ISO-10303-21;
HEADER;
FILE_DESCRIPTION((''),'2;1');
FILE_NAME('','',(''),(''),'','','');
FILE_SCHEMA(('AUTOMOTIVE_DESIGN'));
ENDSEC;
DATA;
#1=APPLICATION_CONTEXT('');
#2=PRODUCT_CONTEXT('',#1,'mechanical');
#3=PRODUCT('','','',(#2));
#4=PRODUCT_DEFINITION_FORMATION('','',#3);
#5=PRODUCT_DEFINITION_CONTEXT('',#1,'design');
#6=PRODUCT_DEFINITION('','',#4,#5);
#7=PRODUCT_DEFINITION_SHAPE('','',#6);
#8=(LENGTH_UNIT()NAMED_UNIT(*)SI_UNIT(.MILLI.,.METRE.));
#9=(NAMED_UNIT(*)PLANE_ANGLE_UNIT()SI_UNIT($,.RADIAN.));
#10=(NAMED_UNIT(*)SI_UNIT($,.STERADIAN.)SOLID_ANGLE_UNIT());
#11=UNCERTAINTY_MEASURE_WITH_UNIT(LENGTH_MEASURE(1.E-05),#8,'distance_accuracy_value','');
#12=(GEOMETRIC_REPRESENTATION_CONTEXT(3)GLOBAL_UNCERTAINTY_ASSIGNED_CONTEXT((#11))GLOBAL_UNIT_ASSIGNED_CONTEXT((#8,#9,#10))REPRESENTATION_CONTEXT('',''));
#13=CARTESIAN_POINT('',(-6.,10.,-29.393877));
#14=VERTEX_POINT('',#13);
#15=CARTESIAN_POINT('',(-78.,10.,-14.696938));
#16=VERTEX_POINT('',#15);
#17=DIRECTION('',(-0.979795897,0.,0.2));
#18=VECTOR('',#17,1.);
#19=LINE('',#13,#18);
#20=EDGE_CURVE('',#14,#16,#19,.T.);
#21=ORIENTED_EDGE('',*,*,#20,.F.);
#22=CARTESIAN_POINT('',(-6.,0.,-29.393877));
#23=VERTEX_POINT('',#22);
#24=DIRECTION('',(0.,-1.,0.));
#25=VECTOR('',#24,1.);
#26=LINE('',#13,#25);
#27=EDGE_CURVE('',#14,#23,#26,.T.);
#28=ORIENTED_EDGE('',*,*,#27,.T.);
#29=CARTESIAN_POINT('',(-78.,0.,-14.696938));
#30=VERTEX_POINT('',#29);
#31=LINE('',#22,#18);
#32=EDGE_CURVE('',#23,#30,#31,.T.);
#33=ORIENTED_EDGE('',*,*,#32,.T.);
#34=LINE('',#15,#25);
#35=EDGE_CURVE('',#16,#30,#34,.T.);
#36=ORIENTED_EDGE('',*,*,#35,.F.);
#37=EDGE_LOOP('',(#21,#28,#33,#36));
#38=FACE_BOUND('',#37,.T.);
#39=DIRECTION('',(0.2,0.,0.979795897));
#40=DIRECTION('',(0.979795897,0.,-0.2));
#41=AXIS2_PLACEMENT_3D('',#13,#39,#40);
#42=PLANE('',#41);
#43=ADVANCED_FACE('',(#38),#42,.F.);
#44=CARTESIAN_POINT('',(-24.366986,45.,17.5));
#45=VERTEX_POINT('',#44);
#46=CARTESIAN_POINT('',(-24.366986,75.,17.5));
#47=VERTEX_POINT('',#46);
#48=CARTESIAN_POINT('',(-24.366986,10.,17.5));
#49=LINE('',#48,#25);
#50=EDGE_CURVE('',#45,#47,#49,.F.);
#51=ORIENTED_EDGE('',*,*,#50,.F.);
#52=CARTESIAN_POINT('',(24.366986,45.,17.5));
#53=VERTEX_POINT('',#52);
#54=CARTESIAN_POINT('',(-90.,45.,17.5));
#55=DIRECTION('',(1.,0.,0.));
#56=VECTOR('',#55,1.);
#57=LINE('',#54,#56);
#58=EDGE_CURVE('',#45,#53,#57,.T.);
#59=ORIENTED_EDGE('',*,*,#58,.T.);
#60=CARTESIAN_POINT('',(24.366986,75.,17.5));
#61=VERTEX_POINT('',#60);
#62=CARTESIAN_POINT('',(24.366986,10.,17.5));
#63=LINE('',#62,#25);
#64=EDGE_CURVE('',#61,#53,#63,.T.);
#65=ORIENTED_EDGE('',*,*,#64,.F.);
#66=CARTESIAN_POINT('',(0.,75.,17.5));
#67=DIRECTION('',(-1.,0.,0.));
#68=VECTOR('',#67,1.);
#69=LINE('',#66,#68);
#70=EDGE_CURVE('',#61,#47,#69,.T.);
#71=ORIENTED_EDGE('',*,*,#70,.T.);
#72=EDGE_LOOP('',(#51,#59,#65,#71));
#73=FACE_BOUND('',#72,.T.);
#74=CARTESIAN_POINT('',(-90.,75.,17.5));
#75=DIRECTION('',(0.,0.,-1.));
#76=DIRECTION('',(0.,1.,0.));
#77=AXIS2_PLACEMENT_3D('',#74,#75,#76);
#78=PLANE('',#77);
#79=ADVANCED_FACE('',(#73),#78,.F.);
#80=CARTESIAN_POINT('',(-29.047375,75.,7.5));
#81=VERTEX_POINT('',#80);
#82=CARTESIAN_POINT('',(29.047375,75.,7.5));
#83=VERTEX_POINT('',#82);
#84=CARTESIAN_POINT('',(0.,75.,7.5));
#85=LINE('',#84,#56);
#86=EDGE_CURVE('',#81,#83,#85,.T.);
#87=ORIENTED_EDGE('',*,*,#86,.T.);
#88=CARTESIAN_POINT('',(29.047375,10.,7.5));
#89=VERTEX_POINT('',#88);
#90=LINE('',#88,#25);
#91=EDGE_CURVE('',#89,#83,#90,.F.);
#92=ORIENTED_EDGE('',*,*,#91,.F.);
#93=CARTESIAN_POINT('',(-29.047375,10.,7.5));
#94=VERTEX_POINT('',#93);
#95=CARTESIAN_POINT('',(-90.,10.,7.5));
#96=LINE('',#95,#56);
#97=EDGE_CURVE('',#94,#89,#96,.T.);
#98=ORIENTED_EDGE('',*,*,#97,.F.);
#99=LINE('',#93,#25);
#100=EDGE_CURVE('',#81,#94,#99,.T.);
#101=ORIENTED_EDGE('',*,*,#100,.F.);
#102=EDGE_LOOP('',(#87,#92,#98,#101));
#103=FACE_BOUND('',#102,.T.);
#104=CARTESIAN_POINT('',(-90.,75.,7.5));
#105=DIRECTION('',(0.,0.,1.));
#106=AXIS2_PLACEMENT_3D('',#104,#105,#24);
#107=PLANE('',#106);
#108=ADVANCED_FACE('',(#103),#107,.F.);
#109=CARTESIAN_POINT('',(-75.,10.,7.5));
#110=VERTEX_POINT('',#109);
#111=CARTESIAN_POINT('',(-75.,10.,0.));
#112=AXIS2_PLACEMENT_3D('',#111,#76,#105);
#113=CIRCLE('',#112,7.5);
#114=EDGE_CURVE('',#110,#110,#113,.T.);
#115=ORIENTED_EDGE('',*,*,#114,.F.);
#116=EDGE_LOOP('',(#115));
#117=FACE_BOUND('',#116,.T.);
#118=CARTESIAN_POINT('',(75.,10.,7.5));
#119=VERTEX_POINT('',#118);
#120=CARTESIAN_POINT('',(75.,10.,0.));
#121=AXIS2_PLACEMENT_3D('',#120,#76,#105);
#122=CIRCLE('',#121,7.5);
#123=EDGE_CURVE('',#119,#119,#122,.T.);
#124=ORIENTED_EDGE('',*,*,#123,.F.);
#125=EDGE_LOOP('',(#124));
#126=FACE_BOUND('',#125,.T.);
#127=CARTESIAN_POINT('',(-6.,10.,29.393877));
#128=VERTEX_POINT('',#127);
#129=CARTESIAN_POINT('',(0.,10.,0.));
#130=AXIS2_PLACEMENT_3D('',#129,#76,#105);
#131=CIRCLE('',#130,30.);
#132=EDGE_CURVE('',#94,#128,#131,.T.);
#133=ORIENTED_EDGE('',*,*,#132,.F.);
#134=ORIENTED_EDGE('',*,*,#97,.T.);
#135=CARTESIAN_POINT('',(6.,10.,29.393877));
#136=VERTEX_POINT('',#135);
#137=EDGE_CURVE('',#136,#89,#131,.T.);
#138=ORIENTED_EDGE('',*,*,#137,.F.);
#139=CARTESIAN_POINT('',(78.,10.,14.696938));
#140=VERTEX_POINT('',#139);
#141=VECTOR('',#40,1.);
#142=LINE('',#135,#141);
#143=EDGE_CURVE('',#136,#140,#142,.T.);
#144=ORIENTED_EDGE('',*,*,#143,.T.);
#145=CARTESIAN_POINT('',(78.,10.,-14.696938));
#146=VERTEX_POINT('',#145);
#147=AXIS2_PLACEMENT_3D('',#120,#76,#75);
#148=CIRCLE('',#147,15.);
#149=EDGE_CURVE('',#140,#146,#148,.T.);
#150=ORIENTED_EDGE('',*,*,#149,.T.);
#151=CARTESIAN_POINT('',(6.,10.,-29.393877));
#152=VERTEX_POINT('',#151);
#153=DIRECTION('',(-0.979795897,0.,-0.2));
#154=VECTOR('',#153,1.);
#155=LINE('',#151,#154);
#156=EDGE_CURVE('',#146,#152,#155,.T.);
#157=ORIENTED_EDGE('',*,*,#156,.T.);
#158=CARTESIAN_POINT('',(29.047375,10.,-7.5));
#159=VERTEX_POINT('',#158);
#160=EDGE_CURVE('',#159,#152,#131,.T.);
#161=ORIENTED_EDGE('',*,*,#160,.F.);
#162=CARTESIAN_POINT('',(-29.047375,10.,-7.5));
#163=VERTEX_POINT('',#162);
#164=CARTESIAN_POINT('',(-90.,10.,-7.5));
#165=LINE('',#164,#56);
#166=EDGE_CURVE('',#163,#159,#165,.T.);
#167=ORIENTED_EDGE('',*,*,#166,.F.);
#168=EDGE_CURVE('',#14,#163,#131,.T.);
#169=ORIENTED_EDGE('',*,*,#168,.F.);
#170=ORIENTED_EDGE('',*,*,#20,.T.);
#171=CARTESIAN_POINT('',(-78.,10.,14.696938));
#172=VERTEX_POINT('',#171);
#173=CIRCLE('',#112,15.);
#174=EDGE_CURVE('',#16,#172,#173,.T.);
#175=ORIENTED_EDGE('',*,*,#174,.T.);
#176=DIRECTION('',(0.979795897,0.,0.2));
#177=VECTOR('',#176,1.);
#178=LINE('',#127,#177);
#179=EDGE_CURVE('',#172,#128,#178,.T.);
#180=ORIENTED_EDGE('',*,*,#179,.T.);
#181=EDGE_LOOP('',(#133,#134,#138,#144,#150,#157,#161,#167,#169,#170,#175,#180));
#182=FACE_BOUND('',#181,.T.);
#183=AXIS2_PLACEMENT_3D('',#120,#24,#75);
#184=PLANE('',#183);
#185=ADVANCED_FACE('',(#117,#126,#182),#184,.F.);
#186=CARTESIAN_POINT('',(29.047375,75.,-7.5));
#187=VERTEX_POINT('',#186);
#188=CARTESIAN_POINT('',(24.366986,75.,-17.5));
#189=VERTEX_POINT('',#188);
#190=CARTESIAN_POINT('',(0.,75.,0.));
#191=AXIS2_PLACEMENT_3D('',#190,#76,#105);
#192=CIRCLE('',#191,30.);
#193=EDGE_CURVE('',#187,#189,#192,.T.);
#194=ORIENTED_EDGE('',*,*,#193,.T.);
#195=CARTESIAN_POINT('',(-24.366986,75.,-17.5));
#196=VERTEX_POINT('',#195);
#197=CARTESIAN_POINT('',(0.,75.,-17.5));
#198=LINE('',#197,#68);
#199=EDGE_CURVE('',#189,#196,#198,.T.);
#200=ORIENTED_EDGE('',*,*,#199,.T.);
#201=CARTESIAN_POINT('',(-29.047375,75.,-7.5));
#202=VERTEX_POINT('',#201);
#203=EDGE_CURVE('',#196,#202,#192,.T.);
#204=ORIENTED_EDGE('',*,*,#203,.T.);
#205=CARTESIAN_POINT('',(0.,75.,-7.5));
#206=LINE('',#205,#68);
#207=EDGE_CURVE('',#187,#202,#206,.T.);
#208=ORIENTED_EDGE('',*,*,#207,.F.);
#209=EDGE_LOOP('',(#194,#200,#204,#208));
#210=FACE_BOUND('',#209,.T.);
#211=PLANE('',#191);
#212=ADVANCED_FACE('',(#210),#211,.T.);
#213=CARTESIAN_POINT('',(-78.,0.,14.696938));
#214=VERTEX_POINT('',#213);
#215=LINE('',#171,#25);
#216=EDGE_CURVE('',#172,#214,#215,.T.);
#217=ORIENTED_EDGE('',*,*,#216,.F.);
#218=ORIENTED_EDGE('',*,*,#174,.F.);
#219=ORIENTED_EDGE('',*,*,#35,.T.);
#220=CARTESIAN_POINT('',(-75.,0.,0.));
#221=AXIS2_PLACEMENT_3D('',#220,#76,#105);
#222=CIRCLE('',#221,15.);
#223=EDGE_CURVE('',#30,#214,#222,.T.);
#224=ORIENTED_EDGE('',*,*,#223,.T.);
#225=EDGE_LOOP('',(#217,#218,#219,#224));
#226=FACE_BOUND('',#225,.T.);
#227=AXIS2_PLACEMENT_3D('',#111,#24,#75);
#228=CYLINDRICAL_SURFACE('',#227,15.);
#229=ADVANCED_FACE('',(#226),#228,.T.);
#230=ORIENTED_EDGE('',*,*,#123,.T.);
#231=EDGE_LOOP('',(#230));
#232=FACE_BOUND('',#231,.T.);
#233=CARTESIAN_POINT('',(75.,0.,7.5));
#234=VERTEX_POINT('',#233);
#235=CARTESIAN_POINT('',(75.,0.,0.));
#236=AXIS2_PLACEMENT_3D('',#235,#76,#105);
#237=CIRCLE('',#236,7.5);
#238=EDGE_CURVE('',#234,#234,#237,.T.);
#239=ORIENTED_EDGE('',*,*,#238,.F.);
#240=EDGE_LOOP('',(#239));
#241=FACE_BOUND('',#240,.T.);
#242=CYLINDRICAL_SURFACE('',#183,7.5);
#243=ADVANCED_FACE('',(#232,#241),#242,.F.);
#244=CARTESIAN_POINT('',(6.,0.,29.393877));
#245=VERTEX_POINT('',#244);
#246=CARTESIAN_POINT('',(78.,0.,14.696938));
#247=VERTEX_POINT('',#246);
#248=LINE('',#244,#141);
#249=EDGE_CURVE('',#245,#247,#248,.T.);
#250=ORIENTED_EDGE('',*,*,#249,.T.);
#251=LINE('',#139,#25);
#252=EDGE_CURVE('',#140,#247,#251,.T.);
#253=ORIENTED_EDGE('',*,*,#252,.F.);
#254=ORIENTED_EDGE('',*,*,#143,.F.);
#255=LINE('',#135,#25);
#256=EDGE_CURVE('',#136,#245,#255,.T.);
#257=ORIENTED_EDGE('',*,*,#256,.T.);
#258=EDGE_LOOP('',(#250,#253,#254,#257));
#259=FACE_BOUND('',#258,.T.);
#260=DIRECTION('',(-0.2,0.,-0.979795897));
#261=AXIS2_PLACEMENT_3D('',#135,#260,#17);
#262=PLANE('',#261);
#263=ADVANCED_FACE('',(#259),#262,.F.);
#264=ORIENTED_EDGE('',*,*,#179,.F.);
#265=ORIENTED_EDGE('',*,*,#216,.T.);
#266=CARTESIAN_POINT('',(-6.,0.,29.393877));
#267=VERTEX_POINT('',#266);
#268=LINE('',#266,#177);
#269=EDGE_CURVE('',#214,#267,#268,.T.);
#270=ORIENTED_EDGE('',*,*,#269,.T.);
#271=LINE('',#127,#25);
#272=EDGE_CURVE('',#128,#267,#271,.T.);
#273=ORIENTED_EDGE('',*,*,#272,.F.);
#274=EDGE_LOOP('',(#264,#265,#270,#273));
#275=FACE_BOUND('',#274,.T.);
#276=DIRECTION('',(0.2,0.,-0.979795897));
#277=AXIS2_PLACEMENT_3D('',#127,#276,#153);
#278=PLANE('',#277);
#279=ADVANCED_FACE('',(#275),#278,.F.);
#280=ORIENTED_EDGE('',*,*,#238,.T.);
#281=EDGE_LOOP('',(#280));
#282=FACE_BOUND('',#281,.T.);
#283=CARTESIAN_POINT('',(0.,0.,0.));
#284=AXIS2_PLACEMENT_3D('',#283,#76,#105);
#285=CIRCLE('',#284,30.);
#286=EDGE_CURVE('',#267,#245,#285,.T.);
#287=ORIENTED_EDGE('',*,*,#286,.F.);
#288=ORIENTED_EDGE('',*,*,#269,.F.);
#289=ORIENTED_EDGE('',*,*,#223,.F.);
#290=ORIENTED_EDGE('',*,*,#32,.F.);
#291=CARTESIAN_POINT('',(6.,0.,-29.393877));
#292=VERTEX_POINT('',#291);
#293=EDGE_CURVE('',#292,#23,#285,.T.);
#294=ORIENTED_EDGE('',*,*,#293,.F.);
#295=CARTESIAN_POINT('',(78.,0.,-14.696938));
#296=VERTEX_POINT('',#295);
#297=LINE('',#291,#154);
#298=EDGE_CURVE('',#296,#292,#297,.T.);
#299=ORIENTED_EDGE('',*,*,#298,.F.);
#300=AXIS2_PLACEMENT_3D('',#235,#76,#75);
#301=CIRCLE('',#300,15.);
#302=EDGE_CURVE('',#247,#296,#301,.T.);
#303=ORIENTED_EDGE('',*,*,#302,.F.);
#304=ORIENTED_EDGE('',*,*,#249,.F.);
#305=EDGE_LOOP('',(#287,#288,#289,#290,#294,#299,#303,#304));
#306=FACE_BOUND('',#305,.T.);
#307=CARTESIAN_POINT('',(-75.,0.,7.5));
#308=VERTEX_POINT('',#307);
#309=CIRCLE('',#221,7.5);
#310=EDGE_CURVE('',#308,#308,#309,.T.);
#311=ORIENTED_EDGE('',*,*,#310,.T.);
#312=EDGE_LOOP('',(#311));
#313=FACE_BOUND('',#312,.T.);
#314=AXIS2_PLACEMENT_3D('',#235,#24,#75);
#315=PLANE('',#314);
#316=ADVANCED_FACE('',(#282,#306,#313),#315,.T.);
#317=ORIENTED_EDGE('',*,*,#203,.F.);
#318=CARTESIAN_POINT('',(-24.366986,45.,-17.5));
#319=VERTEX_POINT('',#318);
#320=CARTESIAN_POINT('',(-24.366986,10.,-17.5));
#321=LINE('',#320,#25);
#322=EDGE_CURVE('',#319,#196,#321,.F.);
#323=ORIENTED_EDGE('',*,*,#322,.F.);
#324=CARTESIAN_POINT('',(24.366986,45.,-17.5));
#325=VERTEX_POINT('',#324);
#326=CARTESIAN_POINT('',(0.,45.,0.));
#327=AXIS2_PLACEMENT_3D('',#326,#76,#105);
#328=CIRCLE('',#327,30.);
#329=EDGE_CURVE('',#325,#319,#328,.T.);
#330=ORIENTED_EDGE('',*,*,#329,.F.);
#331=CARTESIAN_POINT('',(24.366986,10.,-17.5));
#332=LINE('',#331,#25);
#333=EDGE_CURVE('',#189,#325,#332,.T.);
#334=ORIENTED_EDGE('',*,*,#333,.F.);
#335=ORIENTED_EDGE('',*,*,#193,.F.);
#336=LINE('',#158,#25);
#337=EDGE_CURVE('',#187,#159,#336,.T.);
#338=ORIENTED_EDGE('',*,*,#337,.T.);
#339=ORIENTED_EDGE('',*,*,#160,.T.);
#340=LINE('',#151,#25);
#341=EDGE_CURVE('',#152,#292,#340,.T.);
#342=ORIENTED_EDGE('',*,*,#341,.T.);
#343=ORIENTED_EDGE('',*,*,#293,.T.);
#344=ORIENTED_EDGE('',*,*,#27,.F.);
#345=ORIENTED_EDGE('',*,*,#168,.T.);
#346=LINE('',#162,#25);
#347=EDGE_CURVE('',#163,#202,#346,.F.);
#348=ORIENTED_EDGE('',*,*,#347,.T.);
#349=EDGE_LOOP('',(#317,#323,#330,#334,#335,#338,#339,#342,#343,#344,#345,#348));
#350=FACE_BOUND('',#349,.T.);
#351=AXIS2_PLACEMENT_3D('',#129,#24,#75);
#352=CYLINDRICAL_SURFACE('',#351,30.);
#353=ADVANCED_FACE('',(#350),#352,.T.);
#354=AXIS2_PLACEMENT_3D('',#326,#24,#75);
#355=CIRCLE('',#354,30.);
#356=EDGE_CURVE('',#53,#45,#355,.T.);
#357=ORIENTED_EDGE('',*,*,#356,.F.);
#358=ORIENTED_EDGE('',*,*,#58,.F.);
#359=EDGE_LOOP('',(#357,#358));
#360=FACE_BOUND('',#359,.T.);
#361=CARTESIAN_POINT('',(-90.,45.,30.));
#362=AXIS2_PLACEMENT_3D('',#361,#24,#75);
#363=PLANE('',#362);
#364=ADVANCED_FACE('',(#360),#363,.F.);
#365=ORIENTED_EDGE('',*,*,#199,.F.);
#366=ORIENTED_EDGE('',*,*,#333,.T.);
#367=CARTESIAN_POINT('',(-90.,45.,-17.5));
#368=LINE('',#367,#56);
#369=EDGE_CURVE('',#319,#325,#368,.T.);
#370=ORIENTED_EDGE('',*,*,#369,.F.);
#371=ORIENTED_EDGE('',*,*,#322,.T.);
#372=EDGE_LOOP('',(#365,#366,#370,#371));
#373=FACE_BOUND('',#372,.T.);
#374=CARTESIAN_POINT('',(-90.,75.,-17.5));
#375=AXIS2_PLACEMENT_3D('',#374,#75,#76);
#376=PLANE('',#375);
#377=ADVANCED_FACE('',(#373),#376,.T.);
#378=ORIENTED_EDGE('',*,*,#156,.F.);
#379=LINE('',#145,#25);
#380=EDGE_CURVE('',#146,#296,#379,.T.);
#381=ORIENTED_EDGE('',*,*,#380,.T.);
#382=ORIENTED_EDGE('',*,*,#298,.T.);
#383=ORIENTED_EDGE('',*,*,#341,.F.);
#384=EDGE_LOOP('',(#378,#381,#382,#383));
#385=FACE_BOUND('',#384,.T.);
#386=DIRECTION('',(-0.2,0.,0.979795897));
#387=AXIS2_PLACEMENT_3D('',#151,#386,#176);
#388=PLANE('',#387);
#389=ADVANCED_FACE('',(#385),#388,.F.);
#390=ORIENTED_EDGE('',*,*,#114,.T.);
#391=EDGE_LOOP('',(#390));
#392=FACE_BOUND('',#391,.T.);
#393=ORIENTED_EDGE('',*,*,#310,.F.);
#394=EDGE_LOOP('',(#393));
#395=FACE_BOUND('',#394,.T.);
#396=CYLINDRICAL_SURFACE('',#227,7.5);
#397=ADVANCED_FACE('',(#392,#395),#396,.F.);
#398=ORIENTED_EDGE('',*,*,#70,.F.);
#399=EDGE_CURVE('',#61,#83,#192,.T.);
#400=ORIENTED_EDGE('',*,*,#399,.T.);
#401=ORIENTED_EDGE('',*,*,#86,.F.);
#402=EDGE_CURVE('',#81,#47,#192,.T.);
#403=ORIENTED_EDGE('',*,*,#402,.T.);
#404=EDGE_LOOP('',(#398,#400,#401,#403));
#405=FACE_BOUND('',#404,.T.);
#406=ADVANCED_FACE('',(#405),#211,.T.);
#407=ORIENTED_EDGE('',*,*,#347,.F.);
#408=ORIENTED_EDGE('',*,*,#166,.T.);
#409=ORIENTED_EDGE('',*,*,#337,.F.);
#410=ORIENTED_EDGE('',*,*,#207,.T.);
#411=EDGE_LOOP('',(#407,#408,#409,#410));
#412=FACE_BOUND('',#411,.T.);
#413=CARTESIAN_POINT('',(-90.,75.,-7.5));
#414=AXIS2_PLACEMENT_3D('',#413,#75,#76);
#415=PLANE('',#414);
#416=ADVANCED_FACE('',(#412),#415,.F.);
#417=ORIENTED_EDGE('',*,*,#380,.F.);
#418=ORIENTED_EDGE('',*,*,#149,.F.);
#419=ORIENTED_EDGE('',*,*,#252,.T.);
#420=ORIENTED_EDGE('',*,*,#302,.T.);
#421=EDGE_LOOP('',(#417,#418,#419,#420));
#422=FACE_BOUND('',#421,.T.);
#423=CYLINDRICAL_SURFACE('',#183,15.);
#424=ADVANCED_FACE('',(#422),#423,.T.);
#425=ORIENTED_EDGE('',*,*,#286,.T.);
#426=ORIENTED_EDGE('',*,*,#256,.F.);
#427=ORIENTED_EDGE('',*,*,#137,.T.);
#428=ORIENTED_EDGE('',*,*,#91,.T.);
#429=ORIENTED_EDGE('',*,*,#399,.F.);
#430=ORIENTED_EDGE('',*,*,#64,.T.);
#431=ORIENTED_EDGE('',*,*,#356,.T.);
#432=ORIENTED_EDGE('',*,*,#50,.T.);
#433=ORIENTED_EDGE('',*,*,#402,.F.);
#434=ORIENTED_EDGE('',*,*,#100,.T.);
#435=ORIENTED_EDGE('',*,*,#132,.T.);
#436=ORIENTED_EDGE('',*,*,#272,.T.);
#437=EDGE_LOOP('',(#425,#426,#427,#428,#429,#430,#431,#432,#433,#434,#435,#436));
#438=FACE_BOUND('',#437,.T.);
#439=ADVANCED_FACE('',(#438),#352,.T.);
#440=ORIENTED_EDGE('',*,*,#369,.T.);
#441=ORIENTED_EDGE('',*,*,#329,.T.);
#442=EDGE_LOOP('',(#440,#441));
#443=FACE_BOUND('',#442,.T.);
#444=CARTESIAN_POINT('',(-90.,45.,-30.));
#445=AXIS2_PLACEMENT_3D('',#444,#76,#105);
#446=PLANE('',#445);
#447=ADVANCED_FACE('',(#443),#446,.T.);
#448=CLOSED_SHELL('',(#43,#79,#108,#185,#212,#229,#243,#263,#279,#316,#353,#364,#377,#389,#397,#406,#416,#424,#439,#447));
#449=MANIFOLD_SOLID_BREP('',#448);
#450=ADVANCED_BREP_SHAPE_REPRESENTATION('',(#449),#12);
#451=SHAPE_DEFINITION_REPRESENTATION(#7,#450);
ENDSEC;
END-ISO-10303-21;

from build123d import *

# Parameters (mm, degrees)
SKETCH1_R               = 7.5
BOSS_EXTRUDE1_DEPTH     = 10
SKETCH2_R               = 30
BOSS_EXTRUDE2_DEPTH     = 65
CUT_EXTRUDE1_DEPTH      = 121.933866224
CUT_EXTRUDE1_DEPTH_BACK = 121.933866224
SKETCH3_W               = 15
SKETCH3_H               = 65
SKETCH5_W               = 12.5
SKETCH5_H               = 30
CUT_EXTRUDE2_DEPTH      = 121.933866224


with BuildPart() as part:
    # Sketch1 → Boss-Extrude1 (new body)
    with BuildSketch(Plane(origin=(0, 0, 0), x_dir=(1, 0, 0), z_dir=(0, 1, 0))):
        with BuildLine():
            Line((6, 29.393876913), (78, 14.696938457))
            ThreePointArc((78, 14.696938457), (90, 0), (78, -14.696938457))
            Line((78, -14.696938457), (6, -29.393876913))
            ThreePointArc((6, -29.393876913), (0, -30), (-6, -29.393876913))
            Line((-6, -29.393876913), (-78, -14.696938457))
            ThreePointArc((-78, -14.696938457), (-90, 0), (-78, 14.696938457))
            Line((-78, 14.696938457), (-6, 29.393876913))
            ThreePointArc((-6, 29.393876913), (0, 30), (6, 29.393876913))
        make_face()
        with Locations(Location((-75, 0, 0), (0, 0, 270))):
            Circle(SKETCH1_R, mode=Mode.SUBTRACT)
        with Locations(Location((75, 0, 0), (0, 0, 270))):
            Circle(SKETCH1_R, mode=Mode.SUBTRACT)
    extrude(amount=BOSS_EXTRUDE1_DEPTH)

    # Sketch2 → Boss-Extrude2 (add)
    with BuildSketch(Plane(origin=(0, 10, 0), x_dir=(1, 0, 0), z_dir=(0, 1, 0))):
        with Locations(Location((0, 0, 0), (0, 0, 78.463040967))):
            Circle(SKETCH2_R)
    extrude(amount=BOSS_EXTRUDE2_DEPTH)

    # Sketch3 → Cut-Extrude1 (cut, two sides: drawn at the far end of the back side and taken through both)
    with BuildSketch(Plane(origin=(0, 0, 0), x_dir=(0, 0, -1), z_dir=(1, 0, 0)).offset(-CUT_EXTRUDE1_DEPTH_BACK)):
        with Locations((0, 42.5)):
            Rectangle(SKETCH3_W, SKETCH3_H)
    extrude(amount=CUT_EXTRUDE1_DEPTH + CUT_EXTRUDE1_DEPTH_BACK, mode=Mode.SUBTRACT)

    # Sketch5 → Cut-Extrude2 (cut, symmetric)
    with BuildSketch(Plane(origin=(0, 0, 0), x_dir=(0, 0, -1), z_dir=(1, 0, 0))):
        with Locations((-23.75, 60)):
            Rectangle(SKETCH5_W, SKETCH5_H)
    cut_extrude2 = extrude(amount=CUT_EXTRUDE2_DEPTH, both=True, mode=Mode.SUBTRACT)

    # Mirror1: Cut-Extrude2 across plane
    add(cut_extrude2.mirror(Plane.XY), mode=Mode.SUBTRACT)


solid = part.part
